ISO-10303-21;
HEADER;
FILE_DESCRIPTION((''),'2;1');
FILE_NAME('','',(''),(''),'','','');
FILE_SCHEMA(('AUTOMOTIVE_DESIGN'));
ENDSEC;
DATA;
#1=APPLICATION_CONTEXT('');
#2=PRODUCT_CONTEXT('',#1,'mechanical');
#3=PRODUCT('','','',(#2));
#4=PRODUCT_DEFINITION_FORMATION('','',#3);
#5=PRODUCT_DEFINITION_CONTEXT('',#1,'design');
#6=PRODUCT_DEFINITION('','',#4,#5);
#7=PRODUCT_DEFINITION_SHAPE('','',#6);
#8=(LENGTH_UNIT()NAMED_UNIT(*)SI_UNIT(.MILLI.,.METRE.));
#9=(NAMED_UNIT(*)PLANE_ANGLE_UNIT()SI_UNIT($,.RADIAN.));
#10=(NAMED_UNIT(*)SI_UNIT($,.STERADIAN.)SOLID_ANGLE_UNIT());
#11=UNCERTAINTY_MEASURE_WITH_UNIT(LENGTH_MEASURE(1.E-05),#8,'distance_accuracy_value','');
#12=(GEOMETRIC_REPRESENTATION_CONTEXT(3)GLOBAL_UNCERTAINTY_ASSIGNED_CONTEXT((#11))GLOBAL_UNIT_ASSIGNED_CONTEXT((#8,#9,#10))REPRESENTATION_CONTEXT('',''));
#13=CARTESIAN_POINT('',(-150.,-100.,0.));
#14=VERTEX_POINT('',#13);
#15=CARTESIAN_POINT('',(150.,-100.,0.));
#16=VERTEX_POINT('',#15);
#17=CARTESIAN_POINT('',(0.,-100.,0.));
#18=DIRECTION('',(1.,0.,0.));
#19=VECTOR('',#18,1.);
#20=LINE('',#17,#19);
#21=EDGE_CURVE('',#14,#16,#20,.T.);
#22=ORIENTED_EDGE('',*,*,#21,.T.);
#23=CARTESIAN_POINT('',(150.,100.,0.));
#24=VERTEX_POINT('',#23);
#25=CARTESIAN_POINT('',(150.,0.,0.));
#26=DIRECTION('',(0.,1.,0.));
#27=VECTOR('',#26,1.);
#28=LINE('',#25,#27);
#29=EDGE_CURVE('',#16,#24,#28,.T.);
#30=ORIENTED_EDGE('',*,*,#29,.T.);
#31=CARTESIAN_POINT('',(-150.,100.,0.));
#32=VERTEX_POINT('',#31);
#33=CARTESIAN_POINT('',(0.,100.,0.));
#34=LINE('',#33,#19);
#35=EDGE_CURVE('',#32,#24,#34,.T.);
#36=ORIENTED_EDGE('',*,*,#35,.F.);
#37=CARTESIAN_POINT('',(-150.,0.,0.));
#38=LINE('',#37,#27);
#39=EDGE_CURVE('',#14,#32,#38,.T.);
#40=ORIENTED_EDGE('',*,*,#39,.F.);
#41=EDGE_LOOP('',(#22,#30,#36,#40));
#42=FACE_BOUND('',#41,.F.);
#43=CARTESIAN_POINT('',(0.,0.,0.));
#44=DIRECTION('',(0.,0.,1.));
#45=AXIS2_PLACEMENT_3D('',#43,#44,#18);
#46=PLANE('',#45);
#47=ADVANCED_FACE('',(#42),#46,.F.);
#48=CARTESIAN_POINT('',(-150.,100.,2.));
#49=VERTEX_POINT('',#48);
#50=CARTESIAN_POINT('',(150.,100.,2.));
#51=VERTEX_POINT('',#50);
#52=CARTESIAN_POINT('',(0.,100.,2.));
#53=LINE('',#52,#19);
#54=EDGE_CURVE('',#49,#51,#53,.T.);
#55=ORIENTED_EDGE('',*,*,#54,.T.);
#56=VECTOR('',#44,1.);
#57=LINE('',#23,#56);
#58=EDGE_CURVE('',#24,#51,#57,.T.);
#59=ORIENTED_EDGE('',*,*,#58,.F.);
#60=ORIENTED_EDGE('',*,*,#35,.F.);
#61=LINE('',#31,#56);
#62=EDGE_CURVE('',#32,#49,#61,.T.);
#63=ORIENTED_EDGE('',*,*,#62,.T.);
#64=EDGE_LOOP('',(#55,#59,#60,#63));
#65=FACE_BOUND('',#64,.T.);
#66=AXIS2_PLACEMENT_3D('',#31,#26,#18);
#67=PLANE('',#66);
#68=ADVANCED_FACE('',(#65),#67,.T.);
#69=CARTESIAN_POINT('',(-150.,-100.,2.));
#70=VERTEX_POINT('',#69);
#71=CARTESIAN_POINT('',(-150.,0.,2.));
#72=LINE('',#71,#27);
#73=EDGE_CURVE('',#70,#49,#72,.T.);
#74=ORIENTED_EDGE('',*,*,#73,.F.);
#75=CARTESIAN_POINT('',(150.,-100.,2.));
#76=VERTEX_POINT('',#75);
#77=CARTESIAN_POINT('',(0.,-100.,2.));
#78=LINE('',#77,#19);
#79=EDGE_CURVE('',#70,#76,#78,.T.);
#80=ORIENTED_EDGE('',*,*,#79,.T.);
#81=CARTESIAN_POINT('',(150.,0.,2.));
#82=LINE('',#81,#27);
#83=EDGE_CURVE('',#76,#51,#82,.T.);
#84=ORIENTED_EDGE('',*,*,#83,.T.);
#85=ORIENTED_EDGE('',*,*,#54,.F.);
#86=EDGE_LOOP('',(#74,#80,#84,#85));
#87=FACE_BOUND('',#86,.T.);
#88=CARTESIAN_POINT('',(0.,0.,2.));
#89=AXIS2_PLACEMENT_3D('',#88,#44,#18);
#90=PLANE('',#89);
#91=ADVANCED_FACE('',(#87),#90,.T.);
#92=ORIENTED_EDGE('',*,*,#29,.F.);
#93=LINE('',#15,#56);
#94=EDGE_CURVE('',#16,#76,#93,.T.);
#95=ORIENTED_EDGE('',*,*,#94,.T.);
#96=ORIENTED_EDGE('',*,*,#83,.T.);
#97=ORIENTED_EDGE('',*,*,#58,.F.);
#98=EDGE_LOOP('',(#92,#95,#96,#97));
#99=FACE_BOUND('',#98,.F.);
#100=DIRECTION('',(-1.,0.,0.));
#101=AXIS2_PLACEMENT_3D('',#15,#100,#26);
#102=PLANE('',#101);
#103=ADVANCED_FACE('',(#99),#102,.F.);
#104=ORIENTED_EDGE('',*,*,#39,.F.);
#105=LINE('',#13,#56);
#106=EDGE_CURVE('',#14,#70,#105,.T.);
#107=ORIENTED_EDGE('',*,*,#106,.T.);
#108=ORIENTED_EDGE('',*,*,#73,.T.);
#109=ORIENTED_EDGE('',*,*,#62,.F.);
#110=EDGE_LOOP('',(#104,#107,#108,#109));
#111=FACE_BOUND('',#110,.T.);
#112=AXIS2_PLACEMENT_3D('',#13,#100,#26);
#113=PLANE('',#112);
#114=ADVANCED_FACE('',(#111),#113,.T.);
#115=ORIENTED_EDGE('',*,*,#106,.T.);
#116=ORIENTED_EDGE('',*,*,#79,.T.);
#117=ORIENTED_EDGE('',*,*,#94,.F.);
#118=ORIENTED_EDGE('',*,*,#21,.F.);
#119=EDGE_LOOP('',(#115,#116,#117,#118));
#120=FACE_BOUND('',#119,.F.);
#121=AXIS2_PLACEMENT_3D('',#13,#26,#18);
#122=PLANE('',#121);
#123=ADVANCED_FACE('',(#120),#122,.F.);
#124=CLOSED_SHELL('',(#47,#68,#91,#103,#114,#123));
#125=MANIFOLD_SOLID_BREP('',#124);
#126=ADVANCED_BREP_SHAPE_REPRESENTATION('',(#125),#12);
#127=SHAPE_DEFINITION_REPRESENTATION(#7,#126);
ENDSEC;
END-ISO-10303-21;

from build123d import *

# Parameters (mm, degrees)
SKETCH1_W           = 300
SKETCH1_H           = 200
BOSS_EXTRUDE1_DEPTH = 2


with BuildPart() as part:
    # Sketch1 → Boss-Extrude1 (new body)
    with BuildSketch(Plane.XY):
        Rectangle(SKETCH1_W, SKETCH1_H)
    extrude(amount=BOSS_EXTRUDE1_DEPTH)


solid = part.part
